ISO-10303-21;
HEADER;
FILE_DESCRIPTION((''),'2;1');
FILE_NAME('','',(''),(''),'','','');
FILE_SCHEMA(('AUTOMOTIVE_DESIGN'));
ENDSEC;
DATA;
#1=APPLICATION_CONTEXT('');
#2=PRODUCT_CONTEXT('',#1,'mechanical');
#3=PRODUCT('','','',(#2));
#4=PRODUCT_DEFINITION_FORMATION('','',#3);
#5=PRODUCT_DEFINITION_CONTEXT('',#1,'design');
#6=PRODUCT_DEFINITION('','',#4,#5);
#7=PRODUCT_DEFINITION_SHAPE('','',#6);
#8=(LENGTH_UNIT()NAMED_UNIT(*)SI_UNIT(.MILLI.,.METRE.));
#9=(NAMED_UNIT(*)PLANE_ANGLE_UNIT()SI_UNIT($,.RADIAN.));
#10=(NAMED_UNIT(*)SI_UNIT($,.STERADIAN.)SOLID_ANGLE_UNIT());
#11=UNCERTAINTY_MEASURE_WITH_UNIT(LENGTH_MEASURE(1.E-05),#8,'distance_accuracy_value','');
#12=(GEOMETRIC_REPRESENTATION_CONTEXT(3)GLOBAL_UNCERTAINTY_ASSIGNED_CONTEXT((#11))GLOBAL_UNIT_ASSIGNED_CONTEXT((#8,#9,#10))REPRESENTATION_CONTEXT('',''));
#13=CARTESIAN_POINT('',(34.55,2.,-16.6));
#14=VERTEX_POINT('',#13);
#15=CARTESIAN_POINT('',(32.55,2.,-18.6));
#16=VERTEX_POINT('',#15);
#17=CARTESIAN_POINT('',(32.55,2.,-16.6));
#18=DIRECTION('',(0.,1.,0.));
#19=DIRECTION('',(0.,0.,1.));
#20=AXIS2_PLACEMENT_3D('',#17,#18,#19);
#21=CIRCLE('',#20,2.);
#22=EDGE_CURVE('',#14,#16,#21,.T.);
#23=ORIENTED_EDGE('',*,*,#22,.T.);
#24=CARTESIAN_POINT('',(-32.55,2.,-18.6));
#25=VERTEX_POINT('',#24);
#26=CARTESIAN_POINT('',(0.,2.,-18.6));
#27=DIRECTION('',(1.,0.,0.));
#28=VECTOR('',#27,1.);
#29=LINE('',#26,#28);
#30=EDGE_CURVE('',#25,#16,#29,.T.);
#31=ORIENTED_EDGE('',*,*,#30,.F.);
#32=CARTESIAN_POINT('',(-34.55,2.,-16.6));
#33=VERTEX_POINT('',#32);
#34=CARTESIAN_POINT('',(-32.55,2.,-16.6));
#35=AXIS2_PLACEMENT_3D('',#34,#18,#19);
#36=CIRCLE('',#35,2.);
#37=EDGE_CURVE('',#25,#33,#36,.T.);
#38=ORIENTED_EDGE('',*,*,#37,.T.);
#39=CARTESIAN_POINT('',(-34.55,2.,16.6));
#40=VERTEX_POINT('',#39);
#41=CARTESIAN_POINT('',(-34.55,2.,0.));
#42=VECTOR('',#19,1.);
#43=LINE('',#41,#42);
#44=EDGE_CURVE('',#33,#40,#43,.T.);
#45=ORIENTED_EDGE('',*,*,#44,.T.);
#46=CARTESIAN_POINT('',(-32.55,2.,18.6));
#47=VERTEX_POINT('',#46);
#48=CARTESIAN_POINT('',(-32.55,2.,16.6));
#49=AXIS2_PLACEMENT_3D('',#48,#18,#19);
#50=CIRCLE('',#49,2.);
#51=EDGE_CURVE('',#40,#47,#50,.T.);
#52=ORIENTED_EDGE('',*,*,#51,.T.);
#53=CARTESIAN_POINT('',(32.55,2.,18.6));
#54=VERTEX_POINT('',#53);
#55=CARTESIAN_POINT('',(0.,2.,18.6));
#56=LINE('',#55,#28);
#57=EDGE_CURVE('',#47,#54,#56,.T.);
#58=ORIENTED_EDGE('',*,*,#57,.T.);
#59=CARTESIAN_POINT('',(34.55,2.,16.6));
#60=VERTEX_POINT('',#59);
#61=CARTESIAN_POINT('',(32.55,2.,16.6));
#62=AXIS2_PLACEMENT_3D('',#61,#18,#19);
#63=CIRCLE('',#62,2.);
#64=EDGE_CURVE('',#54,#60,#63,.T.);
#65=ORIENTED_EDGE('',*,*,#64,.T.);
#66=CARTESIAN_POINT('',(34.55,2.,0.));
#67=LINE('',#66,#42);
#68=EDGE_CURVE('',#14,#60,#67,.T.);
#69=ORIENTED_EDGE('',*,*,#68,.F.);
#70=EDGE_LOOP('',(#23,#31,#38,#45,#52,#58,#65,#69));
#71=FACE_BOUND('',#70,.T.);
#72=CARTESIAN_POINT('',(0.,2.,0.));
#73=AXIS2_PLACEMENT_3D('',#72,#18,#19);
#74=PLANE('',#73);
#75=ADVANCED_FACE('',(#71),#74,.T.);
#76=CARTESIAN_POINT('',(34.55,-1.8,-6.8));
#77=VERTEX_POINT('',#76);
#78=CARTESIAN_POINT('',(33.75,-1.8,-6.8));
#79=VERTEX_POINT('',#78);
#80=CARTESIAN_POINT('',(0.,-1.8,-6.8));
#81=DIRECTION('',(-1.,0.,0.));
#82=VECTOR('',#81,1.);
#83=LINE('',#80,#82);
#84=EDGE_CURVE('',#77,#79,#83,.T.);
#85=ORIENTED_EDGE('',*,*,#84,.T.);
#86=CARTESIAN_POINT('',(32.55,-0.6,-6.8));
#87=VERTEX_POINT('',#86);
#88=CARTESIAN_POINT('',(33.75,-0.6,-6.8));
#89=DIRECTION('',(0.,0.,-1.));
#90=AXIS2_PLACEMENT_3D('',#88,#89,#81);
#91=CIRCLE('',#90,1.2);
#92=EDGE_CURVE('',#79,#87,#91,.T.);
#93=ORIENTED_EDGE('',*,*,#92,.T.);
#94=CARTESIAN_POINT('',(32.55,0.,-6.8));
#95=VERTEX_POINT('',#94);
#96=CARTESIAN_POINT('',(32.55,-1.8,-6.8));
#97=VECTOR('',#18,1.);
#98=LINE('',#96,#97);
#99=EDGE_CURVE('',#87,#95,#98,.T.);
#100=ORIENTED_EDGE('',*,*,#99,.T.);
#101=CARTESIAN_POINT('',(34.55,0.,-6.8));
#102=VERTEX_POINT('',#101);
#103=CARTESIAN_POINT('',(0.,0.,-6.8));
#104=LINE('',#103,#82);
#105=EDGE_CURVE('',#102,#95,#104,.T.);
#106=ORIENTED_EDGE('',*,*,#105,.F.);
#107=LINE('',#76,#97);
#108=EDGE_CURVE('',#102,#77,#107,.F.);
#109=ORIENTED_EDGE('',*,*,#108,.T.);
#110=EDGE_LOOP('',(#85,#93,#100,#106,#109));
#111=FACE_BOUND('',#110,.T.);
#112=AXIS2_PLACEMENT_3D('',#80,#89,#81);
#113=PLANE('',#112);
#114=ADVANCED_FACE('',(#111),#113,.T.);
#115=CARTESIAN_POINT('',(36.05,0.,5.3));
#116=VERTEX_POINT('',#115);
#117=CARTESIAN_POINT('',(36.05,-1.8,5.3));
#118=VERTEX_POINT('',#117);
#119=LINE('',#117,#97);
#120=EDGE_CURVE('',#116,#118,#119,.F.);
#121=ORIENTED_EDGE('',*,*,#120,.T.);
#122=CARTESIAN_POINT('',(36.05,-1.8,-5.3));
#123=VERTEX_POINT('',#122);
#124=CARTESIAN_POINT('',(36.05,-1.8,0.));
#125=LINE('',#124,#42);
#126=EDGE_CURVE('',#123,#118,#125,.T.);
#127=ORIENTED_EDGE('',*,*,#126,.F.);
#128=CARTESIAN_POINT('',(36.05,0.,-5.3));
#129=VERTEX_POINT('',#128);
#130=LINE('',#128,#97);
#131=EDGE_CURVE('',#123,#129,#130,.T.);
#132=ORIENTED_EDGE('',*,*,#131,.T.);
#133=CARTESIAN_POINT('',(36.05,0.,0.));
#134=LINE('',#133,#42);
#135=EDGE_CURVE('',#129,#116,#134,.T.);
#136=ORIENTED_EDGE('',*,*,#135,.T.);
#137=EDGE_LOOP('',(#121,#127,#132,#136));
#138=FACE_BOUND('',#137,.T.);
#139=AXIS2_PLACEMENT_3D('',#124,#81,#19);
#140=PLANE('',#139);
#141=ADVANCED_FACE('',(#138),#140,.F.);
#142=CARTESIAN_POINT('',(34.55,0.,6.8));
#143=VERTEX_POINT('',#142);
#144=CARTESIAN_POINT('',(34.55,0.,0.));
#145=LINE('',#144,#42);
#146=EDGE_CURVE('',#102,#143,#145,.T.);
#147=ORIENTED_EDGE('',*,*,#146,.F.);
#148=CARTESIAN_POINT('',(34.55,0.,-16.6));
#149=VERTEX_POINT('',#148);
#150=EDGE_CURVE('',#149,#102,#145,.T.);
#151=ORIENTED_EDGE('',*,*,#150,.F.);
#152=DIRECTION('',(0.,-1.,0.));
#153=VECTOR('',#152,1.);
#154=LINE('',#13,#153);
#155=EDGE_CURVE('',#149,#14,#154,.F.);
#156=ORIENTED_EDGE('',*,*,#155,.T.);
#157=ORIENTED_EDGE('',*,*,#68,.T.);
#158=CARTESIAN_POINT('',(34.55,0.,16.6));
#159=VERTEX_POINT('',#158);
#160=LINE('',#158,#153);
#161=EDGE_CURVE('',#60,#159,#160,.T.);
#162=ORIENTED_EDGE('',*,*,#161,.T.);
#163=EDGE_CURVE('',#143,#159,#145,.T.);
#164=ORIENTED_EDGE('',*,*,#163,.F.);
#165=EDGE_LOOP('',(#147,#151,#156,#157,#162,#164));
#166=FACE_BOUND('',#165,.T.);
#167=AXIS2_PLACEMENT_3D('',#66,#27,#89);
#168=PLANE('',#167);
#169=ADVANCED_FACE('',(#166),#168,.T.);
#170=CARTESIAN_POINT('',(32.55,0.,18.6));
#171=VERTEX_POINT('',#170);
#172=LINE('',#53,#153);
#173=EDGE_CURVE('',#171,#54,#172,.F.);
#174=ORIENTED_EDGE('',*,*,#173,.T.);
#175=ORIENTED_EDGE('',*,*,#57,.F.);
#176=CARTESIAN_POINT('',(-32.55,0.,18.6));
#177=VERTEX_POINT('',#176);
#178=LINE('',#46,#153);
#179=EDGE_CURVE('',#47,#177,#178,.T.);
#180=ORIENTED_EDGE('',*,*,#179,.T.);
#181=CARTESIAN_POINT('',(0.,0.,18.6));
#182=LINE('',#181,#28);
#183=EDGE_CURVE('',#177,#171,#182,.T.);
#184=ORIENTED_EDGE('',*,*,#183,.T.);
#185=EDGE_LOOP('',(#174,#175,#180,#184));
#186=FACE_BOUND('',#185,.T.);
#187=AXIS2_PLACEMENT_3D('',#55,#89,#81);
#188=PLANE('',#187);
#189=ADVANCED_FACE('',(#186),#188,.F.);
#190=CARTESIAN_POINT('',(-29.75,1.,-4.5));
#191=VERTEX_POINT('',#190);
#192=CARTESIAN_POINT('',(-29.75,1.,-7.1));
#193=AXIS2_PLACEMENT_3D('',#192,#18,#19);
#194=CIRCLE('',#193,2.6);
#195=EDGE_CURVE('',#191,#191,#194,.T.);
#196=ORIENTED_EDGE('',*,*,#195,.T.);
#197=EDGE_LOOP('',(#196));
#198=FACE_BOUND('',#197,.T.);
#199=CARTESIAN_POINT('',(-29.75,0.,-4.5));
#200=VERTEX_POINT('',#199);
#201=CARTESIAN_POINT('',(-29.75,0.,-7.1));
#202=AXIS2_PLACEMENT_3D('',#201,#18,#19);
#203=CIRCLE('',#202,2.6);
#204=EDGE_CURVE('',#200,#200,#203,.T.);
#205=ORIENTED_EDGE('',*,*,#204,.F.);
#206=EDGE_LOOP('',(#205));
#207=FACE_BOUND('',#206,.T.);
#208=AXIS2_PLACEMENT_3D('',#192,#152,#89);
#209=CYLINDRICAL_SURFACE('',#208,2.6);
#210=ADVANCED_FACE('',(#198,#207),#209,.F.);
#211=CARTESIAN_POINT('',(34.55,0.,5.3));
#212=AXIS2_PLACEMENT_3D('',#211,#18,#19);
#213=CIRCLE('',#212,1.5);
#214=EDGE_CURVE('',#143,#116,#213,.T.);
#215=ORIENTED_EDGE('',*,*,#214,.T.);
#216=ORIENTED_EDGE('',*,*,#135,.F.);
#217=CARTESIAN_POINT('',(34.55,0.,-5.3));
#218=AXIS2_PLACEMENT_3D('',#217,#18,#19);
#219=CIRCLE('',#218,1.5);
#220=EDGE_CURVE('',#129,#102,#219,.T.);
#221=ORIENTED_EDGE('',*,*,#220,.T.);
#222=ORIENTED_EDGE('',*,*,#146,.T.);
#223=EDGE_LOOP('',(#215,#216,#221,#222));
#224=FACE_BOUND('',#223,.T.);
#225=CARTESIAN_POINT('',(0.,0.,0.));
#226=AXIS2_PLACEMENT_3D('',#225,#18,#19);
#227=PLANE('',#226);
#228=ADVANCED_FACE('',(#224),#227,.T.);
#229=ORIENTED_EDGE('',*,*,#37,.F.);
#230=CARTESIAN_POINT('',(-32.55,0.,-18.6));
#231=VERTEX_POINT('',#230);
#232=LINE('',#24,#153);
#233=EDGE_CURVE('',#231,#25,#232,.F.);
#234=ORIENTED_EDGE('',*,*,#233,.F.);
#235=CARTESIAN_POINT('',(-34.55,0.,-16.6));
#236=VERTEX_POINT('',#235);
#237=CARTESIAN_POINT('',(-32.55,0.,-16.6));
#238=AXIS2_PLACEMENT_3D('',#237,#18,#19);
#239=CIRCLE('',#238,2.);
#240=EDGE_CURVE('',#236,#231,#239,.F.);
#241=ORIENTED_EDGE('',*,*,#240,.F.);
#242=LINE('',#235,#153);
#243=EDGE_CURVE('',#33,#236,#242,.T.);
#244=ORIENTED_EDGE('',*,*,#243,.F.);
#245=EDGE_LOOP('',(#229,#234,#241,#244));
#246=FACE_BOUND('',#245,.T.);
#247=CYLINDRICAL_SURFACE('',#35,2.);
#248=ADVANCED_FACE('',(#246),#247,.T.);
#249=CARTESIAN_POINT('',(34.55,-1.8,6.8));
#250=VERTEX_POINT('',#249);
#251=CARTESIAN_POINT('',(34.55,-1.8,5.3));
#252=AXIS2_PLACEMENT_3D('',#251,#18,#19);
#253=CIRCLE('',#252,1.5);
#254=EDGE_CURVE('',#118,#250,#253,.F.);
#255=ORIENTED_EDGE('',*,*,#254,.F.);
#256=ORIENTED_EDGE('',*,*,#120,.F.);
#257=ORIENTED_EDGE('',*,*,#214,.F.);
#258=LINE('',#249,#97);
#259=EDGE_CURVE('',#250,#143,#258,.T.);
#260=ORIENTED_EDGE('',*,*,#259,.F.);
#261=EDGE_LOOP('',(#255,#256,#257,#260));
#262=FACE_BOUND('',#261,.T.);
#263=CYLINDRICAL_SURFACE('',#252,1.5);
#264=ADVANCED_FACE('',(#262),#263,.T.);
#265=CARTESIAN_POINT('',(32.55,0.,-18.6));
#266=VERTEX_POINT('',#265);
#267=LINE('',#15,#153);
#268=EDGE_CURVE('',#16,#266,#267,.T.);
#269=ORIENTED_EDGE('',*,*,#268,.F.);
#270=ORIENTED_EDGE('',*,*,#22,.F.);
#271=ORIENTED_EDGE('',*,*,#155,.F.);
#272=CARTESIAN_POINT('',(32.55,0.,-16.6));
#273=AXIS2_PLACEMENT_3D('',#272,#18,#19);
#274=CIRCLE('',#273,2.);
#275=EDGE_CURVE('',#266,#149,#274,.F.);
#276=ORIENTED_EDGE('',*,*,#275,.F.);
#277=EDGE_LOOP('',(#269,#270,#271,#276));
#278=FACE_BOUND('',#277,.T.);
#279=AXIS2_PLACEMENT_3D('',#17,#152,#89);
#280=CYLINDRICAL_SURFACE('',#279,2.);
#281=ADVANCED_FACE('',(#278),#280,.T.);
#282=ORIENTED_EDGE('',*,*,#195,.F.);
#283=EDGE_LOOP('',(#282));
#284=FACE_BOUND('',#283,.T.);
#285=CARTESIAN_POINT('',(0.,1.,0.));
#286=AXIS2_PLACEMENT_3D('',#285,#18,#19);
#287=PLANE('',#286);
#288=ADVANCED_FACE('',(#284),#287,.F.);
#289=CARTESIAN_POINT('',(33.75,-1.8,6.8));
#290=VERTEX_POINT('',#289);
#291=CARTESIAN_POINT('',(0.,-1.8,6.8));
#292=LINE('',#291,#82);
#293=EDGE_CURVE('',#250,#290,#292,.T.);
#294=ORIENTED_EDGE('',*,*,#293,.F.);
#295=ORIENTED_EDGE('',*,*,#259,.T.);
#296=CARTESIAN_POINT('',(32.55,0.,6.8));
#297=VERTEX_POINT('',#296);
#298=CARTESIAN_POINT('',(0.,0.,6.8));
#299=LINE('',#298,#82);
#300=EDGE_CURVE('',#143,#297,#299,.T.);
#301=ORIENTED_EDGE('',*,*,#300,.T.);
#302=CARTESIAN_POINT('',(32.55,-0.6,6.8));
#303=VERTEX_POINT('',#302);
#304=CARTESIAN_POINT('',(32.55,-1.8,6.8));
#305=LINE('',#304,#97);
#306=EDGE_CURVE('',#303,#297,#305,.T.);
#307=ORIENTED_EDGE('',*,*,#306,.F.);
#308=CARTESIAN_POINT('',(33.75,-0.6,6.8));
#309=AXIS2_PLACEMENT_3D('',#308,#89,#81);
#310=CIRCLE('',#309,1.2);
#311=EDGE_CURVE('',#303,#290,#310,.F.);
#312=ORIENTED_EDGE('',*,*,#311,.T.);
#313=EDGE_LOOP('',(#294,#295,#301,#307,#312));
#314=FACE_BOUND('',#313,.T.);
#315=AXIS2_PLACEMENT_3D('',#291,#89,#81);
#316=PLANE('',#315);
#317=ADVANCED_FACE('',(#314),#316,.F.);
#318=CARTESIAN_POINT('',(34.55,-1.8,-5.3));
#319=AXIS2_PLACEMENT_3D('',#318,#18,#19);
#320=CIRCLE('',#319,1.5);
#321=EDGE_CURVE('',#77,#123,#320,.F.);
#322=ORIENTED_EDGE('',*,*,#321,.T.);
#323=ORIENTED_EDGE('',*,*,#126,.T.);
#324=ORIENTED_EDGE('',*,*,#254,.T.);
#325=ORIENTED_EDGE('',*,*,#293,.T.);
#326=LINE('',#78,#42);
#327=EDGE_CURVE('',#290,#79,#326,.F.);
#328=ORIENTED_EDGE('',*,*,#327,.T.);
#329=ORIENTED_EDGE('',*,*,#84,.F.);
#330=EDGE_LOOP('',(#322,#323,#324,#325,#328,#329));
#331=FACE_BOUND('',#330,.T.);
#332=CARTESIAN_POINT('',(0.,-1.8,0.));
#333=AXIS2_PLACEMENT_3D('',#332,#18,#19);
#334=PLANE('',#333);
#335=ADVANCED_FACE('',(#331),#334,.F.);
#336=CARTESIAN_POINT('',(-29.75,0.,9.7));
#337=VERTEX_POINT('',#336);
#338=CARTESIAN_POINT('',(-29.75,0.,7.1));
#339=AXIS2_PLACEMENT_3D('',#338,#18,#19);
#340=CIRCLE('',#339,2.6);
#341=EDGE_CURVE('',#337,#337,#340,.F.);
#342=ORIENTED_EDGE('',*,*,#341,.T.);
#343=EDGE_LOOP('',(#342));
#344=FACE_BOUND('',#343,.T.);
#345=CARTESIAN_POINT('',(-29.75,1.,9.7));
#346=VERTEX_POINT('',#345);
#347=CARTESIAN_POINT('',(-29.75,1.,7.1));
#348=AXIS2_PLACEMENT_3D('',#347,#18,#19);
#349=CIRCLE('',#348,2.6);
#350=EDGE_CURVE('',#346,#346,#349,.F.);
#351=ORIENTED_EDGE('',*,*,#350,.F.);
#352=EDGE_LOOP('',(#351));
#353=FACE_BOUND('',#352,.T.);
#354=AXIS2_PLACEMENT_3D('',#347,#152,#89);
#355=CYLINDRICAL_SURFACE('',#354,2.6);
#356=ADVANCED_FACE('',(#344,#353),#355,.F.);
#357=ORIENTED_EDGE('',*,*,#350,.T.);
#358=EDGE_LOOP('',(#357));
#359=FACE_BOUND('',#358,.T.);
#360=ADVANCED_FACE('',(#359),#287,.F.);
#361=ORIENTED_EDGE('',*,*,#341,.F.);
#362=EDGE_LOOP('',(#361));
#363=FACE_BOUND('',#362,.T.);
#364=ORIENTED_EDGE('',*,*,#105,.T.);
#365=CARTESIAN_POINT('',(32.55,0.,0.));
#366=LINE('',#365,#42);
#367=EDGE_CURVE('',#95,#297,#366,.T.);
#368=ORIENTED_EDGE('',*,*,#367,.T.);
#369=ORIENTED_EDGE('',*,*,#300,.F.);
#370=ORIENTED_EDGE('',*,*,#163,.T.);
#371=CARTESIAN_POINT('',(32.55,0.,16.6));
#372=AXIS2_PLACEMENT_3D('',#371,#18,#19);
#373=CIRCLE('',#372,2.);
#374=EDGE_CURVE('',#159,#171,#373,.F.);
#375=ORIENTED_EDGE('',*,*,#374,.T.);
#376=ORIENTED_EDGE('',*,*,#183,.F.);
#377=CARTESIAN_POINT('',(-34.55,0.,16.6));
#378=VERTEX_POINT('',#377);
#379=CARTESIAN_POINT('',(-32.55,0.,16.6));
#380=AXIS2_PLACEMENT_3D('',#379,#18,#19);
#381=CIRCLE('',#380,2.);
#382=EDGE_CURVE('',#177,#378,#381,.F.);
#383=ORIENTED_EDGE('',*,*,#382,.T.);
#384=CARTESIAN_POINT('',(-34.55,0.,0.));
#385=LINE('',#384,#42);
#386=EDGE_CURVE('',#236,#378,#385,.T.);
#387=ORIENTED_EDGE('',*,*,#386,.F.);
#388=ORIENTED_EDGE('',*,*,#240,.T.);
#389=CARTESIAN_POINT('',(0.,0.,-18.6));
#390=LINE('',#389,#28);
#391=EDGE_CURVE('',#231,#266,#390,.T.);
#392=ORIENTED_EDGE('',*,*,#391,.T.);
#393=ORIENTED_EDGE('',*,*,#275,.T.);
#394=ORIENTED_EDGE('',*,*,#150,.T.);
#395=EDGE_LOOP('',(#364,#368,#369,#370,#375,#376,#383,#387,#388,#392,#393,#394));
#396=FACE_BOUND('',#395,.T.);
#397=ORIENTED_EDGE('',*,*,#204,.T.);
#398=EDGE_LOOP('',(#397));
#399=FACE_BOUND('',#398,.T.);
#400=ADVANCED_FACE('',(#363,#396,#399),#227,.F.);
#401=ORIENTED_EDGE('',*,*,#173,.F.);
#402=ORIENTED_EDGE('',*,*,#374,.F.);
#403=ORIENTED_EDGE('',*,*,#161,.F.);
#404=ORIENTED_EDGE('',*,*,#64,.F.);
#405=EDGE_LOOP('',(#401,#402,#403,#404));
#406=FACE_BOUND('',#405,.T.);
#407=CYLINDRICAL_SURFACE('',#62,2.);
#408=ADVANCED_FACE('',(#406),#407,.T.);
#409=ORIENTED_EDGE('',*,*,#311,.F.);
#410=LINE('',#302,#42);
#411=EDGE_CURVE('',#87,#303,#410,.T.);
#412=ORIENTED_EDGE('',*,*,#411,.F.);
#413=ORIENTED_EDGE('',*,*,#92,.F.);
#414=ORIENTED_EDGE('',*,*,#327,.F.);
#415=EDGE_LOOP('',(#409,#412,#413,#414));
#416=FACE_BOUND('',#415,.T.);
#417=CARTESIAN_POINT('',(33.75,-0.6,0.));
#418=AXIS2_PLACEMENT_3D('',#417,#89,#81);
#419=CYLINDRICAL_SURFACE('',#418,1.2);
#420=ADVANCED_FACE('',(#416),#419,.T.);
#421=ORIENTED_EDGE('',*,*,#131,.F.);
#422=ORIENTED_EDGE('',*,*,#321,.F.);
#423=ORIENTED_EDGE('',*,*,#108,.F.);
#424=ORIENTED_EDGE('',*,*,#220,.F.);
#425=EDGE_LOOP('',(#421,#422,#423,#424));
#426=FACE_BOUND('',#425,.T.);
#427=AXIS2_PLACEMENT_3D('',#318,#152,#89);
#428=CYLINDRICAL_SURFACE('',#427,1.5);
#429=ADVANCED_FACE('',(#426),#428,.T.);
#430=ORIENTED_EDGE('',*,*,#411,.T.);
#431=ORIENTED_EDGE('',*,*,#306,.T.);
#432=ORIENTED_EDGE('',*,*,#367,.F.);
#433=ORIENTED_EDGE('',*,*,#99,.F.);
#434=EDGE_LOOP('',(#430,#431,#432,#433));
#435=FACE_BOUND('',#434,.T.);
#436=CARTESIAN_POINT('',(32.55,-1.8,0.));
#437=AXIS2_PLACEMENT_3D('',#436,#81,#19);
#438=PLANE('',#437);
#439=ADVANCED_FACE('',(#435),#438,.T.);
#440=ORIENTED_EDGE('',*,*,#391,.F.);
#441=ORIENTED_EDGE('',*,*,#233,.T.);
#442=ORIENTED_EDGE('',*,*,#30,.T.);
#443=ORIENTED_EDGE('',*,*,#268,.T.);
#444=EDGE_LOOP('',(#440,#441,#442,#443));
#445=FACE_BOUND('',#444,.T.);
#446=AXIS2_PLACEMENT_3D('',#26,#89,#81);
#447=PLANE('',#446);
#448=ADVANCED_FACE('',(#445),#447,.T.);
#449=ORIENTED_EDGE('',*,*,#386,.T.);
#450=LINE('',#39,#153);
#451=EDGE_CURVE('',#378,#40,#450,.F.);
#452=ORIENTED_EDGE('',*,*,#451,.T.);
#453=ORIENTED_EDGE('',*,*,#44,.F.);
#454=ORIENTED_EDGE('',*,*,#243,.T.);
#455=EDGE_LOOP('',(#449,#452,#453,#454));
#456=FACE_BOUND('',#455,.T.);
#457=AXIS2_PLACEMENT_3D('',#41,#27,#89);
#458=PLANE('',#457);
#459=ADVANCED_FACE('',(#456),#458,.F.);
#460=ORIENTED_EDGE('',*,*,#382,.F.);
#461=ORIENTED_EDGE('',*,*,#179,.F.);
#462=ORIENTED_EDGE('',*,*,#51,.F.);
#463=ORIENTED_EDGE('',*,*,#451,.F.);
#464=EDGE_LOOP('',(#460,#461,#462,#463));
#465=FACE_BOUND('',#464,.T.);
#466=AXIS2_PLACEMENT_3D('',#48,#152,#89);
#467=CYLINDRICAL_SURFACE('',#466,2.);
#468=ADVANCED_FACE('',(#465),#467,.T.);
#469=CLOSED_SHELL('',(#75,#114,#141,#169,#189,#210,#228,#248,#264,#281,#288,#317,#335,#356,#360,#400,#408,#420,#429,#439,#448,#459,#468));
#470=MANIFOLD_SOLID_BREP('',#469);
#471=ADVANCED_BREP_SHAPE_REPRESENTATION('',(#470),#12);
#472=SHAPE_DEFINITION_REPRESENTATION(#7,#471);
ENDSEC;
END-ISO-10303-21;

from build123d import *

# Parameters (mm, degrees)
SKETCH_1_W          = 69.1
SKETCH_1_H          = 37.2
EXTRUDE_1_DEPTH     = 2
SKETCH_1_3_W        = 3.5
SKETCH_1_3_H        = 13.6
EXTRUDE_2_DEPTH     = 1.8
SKETCH_1_5_R        = 2.6
CUT_EXTRUDE_1_DEPTH = 1
FILLET_1_R          = 2
FILLET_2_R          = 1.5
FILLET_3_R          = 1.2


with BuildPart() as part:
    # 草图1 → 凸台-拉伸1 (new body)
    with BuildSketch(Plane(origin=(0, 0, 0), x_dir=(1, 0, 0), z_dir=(0, 1, 0))):
        Rectangle(SKETCH_1_W, SKETCH_1_H)
    extrude(amount=EXTRUDE_1_DEPTH)

    # 草图1<3> → 凸台-拉伸2 (add)
    with BuildSketch(Plane(origin=(0, 0, 0), x_dir=(1, 0, 0), z_dir=(0, 1, 0))):
        with Locations((34.3, 0)):
            Rectangle(SKETCH_1_3_W, SKETCH_1_3_H)
    extrude(amount=-EXTRUDE_2_DEPTH)

    # 草图1<5> → 切除-拉伸1 (cut)
    with BuildSketch(Plane(origin=(0, 0, 0), x_dir=(1, 0, 0), z_dir=(0, 1, 0))):
        with Locations((-29.75, 7.1)):
            Circle(SKETCH_1_5_R)
        with Locations((-29.75, -7.1)):
            Circle(SKETCH_1_5_R)
    extrude(amount=CUT_EXTRUDE_1_DEPTH, mode=Mode.SUBTRACT)

    # 圆角1
    fillet_1_edges = [part.edges().sort_by_distance(p)[0] for p in [
        (34.55, 1, 18.6),
        (-34.55, 1, 18.6),
        (-34.55, 1, -18.6),
        (34.55, 1, -18.6),
    ]]
    fillet(fillet_1_edges, radius=FILLET_1_R)

    # 圆角2
    fillet_2_edges = [part.edges().sort_by_distance(p)[0] for p in [
        (36.05, -0.9, -6.8),
        (36.05, -0.9, 6.8),
    ]]
    fillet(fillet_2_edges, radius=FILLET_2_R)

    # 圆角3
    fillet_3_edges = [part.edges().sort_by_distance(p)[0] for p in [
        (32.55, -1.8, 0),
    ]]
    fillet(fillet_3_edges, radius=FILLET_3_R)


solid = part.part
